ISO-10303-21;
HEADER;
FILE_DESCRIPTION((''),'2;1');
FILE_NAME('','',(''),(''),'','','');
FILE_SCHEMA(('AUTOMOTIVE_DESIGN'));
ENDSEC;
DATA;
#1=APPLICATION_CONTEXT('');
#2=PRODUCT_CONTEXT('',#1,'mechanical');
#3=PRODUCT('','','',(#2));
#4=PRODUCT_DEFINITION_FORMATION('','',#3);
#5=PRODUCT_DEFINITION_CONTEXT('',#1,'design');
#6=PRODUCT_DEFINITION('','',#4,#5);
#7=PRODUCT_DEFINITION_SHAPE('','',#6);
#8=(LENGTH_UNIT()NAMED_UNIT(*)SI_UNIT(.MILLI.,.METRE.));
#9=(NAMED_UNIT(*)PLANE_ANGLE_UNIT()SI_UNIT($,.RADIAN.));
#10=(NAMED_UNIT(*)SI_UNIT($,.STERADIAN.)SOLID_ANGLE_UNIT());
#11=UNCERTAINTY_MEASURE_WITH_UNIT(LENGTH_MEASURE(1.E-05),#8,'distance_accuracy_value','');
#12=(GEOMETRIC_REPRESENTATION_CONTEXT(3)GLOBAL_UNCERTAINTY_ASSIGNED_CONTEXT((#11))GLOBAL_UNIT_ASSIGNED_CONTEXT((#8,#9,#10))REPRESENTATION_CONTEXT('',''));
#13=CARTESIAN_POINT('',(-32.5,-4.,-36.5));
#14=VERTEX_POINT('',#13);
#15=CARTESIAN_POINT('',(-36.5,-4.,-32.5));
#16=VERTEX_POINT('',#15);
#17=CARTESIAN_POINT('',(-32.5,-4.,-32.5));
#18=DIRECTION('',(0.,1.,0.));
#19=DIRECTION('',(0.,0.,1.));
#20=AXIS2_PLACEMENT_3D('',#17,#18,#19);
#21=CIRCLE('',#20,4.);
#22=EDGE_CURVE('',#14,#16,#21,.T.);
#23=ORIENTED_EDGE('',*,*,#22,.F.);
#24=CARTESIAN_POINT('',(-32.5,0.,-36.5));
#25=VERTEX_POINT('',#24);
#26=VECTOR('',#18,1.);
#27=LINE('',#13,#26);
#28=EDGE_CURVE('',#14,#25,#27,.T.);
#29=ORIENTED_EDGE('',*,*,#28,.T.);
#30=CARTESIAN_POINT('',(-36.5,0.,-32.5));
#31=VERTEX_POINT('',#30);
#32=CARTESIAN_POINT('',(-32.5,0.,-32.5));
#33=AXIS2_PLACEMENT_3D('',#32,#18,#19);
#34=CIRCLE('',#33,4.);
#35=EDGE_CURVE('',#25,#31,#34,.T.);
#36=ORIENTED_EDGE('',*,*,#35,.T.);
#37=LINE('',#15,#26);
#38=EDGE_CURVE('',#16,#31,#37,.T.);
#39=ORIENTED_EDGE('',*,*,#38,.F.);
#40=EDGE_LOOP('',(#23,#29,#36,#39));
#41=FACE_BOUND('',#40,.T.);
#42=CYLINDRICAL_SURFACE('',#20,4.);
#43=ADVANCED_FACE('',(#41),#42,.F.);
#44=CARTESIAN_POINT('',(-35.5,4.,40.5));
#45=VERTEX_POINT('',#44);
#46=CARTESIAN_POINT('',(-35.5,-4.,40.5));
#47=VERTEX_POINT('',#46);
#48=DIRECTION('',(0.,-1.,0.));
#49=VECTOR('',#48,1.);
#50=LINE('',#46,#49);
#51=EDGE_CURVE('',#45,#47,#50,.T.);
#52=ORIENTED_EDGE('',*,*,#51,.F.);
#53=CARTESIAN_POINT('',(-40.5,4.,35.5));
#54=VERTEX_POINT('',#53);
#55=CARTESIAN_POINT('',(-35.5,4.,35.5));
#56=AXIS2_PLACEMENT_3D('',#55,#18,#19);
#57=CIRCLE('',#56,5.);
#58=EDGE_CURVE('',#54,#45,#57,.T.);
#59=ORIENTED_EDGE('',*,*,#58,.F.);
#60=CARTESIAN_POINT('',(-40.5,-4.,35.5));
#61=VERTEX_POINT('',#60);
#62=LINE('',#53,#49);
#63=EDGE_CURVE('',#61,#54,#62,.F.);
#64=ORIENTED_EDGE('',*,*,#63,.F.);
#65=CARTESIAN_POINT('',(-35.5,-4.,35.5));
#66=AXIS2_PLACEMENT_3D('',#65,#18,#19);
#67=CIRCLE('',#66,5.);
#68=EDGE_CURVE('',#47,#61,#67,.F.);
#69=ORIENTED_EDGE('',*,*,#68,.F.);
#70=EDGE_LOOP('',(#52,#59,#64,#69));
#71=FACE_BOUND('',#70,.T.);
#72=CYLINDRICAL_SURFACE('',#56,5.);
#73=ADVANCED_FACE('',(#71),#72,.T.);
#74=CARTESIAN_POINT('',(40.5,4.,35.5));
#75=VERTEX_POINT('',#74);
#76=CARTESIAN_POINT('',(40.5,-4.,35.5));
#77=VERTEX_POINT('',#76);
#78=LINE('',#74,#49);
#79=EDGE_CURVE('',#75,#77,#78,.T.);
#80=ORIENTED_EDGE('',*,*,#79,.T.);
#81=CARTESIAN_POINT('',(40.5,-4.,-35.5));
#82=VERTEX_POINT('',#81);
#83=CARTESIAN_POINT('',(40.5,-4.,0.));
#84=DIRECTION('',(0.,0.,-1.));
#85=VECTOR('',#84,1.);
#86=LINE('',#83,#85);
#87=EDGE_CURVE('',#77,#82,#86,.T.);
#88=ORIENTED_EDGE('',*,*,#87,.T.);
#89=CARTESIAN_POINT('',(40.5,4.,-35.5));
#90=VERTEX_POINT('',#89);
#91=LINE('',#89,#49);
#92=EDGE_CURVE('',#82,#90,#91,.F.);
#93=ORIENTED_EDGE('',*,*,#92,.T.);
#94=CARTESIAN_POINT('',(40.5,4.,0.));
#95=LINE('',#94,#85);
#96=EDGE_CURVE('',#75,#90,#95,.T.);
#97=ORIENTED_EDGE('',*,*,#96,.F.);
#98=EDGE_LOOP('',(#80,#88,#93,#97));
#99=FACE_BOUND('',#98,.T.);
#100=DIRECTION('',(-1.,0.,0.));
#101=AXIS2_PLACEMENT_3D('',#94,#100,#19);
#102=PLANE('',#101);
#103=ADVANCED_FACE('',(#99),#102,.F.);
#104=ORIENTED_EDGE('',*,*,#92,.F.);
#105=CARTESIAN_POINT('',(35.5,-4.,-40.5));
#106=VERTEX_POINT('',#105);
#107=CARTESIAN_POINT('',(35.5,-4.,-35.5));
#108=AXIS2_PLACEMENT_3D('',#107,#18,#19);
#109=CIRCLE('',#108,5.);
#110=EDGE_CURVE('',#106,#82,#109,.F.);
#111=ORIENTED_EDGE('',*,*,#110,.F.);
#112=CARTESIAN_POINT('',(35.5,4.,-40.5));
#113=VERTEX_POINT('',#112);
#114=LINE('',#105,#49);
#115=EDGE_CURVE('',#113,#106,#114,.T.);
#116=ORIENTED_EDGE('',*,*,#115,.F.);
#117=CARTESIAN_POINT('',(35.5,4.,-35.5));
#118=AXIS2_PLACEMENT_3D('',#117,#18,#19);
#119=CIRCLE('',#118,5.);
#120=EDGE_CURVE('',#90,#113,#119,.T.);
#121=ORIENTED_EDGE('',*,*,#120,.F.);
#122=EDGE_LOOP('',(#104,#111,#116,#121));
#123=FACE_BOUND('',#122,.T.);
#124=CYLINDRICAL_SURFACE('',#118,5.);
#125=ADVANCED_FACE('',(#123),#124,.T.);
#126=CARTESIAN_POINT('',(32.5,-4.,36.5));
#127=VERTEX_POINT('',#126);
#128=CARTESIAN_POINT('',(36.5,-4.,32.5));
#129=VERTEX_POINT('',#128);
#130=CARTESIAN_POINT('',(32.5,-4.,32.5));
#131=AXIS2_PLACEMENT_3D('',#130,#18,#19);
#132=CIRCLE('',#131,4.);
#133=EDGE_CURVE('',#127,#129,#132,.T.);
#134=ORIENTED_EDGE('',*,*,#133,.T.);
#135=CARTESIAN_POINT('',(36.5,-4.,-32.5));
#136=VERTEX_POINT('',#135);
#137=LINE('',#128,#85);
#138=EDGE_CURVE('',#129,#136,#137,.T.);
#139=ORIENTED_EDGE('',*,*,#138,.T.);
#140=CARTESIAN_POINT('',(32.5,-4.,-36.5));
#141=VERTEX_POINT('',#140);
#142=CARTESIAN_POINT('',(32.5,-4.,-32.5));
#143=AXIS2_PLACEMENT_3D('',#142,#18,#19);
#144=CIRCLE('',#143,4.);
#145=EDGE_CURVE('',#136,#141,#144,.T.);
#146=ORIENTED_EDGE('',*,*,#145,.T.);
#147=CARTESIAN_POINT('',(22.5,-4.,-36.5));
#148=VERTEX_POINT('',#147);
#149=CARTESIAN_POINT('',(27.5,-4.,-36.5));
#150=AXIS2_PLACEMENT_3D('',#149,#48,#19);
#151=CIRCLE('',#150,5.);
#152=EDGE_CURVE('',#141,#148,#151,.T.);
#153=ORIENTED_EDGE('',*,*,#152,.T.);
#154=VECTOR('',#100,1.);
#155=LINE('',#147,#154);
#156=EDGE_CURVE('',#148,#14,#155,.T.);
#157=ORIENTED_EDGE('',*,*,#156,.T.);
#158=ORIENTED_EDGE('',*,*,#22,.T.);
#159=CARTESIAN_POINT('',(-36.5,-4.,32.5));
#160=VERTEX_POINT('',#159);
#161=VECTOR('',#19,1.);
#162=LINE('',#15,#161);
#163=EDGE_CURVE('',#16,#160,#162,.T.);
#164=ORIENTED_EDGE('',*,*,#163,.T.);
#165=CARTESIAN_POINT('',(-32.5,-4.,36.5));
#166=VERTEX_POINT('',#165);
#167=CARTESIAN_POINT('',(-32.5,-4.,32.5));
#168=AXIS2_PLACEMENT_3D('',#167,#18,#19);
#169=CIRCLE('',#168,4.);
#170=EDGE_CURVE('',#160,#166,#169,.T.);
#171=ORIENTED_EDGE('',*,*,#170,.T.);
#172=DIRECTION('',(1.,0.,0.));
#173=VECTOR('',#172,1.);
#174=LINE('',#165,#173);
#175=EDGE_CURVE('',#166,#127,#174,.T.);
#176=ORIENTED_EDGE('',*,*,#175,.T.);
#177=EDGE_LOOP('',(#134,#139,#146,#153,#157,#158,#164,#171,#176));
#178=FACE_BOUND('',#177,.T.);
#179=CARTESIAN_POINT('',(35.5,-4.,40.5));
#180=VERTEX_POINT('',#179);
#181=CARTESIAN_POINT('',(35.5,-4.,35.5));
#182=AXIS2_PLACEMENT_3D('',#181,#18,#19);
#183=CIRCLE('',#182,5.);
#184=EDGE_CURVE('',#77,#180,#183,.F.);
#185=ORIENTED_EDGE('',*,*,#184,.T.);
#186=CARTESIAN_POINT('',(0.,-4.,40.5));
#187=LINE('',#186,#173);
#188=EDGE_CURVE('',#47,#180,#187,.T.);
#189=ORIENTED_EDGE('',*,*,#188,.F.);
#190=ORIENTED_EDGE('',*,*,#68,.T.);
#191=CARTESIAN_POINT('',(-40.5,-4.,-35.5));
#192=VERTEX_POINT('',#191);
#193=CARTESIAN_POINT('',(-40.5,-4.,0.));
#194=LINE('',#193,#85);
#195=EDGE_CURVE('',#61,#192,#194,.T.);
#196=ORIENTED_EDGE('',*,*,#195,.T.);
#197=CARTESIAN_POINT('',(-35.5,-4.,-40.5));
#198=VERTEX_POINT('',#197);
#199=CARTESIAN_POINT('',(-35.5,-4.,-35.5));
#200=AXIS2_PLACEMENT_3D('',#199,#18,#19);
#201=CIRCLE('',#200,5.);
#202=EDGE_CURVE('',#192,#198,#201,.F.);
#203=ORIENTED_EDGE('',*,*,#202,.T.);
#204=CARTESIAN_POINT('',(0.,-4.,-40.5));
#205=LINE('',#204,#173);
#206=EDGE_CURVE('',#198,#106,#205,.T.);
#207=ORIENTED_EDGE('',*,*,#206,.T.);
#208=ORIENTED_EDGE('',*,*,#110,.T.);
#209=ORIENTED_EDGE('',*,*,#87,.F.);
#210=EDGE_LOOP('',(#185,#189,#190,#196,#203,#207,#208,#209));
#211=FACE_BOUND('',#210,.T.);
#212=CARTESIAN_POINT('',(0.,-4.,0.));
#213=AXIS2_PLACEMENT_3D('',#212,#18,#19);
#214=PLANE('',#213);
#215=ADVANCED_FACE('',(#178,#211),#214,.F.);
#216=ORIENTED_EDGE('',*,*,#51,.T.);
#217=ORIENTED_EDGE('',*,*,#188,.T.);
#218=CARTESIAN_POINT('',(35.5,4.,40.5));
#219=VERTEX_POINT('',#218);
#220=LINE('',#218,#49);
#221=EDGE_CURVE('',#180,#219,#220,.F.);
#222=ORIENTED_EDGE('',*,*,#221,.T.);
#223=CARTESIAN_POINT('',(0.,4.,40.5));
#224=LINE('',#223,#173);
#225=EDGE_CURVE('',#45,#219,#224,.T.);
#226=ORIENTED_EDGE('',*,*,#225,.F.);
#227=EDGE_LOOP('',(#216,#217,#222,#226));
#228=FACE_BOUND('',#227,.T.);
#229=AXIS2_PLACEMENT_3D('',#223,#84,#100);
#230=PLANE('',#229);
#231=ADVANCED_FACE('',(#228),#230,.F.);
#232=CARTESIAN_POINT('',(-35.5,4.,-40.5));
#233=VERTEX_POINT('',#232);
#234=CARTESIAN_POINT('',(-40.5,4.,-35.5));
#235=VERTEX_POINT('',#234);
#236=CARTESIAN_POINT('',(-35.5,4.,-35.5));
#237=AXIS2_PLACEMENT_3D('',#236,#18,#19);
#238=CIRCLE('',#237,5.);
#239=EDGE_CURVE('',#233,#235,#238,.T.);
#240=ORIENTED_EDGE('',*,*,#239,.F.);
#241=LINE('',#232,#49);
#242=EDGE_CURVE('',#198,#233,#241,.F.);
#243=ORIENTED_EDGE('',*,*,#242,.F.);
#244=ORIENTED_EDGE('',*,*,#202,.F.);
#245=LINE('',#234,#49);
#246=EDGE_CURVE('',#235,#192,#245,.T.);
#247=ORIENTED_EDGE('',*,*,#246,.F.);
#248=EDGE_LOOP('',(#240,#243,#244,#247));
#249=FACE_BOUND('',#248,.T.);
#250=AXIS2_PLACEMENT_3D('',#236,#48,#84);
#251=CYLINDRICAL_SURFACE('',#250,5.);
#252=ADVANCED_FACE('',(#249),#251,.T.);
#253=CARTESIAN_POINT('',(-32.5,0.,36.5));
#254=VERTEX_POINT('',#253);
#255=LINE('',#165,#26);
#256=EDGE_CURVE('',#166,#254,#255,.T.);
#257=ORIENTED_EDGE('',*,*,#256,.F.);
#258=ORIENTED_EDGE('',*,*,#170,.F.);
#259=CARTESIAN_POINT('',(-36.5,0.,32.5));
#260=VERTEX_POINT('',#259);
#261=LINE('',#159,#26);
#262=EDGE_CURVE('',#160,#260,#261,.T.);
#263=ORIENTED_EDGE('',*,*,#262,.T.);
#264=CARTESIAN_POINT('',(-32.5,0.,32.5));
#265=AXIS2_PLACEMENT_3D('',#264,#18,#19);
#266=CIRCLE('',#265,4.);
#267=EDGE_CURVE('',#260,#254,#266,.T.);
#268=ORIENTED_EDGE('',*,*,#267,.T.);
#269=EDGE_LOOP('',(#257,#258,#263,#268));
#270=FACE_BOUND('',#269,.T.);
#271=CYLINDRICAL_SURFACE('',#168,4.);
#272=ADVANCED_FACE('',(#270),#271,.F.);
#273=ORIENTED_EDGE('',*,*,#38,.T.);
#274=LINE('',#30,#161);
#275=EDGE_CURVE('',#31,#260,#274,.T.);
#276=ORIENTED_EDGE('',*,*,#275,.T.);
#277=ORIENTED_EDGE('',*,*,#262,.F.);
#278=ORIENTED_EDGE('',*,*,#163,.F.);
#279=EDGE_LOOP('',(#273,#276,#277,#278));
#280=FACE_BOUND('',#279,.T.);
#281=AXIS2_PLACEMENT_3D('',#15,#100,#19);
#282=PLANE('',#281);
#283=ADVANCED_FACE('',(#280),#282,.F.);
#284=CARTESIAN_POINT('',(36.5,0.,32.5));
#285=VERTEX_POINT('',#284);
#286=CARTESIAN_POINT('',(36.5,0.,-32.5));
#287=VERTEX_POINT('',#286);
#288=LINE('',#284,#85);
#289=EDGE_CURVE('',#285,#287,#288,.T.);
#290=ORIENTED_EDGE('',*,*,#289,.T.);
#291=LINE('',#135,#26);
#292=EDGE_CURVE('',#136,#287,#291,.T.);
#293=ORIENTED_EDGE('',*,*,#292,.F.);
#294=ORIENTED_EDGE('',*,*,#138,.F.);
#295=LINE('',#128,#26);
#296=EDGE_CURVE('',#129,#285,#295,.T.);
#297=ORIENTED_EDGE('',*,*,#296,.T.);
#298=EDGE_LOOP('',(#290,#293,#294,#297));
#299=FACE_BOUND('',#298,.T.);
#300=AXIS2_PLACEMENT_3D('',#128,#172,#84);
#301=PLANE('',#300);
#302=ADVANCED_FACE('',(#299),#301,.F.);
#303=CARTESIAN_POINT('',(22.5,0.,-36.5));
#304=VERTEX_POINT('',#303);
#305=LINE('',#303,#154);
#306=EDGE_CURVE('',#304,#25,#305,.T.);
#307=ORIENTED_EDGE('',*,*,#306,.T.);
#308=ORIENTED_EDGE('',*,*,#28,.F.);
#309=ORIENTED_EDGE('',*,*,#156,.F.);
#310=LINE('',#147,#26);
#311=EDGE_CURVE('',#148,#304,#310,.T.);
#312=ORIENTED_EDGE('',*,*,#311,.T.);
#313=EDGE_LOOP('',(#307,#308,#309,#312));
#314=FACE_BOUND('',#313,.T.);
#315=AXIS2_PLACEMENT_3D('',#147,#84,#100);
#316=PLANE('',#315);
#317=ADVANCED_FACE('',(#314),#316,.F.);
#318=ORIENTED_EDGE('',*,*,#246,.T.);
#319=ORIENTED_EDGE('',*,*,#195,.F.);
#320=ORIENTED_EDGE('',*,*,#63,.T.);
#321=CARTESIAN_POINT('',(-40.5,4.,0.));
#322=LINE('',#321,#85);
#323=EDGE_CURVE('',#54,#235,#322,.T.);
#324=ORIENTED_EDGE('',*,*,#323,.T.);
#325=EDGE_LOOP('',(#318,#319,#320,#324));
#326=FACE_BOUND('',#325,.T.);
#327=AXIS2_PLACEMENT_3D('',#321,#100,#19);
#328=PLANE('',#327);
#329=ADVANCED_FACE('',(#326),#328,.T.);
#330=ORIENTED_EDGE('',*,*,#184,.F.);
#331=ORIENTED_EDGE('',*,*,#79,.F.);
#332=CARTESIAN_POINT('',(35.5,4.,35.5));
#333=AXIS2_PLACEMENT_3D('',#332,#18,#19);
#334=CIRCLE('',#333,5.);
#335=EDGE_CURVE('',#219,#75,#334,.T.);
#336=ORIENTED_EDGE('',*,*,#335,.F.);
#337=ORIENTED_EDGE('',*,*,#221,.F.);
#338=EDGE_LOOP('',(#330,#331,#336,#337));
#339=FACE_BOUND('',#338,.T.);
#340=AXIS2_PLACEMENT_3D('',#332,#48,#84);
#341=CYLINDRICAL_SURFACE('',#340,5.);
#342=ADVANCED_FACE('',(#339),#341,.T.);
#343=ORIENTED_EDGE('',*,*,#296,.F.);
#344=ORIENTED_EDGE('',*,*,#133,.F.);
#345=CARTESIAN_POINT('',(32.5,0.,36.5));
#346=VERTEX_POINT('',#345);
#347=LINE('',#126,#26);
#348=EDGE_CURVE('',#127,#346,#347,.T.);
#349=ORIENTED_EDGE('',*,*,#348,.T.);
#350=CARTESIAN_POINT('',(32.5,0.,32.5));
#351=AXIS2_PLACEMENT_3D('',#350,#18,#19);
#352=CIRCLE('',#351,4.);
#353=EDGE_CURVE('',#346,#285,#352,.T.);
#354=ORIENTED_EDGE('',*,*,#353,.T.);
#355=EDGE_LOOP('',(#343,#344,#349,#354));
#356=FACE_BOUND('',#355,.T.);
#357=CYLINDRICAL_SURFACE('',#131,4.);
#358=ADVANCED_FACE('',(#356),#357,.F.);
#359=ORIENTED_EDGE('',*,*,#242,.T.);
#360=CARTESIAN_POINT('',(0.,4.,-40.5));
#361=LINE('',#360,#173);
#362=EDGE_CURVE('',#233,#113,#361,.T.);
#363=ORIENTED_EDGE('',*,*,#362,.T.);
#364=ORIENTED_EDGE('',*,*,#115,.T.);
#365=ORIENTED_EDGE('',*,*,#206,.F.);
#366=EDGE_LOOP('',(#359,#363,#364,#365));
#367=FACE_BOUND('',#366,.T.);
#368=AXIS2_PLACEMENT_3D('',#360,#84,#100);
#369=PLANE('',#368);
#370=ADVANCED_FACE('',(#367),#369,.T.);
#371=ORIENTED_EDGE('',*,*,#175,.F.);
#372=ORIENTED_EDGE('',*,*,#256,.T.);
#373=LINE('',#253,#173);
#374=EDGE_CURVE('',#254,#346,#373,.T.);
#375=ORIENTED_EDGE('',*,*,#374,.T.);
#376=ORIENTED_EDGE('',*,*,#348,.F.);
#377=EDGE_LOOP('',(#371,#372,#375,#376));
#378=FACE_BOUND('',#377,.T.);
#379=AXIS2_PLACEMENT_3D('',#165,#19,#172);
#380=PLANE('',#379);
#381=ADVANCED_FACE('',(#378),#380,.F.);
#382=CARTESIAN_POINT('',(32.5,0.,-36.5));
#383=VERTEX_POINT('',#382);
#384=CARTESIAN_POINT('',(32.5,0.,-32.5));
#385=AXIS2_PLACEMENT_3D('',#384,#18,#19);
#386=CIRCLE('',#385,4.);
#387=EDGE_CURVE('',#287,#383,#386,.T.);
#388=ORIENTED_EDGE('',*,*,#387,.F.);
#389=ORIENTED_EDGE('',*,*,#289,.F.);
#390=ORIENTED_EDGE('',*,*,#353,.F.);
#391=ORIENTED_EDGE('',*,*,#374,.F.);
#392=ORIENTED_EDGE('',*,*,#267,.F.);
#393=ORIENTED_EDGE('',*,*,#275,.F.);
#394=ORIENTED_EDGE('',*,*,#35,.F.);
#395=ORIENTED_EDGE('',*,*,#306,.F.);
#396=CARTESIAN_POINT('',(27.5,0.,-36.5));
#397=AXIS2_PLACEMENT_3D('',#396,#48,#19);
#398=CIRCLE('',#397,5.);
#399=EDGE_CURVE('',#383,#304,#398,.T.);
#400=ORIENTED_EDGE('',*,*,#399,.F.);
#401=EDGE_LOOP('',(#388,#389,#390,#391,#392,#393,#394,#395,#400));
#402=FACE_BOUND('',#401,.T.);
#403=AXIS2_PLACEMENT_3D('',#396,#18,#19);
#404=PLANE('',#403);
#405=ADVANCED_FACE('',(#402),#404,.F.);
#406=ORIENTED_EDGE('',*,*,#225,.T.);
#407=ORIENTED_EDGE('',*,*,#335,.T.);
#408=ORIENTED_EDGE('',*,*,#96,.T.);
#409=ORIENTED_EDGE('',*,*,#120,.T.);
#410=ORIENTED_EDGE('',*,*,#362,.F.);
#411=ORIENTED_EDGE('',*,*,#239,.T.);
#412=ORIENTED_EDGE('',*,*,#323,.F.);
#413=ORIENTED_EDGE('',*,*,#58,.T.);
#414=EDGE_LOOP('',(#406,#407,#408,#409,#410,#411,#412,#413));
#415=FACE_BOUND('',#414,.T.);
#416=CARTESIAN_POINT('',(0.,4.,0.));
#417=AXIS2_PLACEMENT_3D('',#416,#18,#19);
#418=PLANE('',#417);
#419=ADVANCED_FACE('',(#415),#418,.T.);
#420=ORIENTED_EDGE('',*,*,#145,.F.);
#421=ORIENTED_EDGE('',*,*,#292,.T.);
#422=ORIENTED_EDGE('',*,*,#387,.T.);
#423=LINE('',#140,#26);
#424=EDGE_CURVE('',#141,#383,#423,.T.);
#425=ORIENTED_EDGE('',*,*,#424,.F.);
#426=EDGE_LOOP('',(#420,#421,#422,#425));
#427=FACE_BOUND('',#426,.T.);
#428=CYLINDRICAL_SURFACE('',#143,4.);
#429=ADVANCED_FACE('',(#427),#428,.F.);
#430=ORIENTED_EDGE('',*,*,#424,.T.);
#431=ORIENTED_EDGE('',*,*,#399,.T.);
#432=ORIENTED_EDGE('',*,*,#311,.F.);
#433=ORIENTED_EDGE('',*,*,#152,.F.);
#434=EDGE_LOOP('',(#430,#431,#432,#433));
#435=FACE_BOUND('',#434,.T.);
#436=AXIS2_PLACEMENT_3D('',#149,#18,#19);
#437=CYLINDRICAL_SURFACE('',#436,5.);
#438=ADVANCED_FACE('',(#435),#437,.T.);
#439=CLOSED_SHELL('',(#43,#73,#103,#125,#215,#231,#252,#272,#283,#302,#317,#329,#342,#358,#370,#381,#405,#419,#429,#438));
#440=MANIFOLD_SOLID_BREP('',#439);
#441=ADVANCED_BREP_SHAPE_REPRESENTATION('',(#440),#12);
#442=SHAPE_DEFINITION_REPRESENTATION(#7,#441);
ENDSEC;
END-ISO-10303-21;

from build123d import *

# Parameters (mm, degrees)
SKETCH2_W           = 81
SKETCH2_H           = 81
BOSS_EXTRUDE1_DEPTH = 4
CUT_EXTRUDE1_DEPTH  = 4
FILLET1_R           = 5


with BuildPart() as part:
    # Sketch2 → Boss-Extrude1 (new body, symmetric)
    with BuildSketch(Plane(origin=(0, 0, 0), x_dir=(1, 0, 0), z_dir=(0, 1, 0))):
        Rectangle(SKETCH2_W, SKETCH2_H)
    extrude(amount=BOSS_EXTRUDE1_DEPTH, both=True)

    # Sketch1 → Cut-Extrude1 (cut)
    with BuildSketch(Plane(origin=(0, 0, 0), x_dir=(1, 0, 0), z_dir=(0, 1, 0))):
        with BuildLine():
            Line((22.5, 36.5), (-32.5, 36.5))
            ThreePointArc((-32.5, 36.5), (-35.328427125, 35.328427125), (-36.5, 32.5))
            Line((-36.5, 32.5), (-36.5, -32.5))
            ThreePointArc((-36.5, -32.5), (-35.328427125, -35.328427125), (-32.5, -36.5))
            Line((-32.5, -36.5), (32.5, -36.5))
            ThreePointArc((32.5, -36.5), (35.328427125, -35.328427125), (36.5, -32.5))
            Line((36.5, -32.5), (36.5, 32.5))
            ThreePointArc((36.5, 32.5), (35.328427125, 35.328427125), (32.5, 36.5))
            ThreePointArc((32.5, 36.5), (27.5, 31.5), (22.5, 36.5))
        make_face()
    extrude(amount=-CUT_EXTRUDE1_DEPTH, mode=Mode.SUBTRACT)

    # Fillet1
    fillet1_edges = [part.edges().sort_by_distance(p)[0] for p in [
        (-40.5, 0, 40.5),
        (-40.5, 0, -40.5),
        (40.5, 0, -40.5),
        (40.5, 0, 40.5),
    ]]
    fillet(fillet1_edges, radius=FILLET1_R)


solid = part.part
